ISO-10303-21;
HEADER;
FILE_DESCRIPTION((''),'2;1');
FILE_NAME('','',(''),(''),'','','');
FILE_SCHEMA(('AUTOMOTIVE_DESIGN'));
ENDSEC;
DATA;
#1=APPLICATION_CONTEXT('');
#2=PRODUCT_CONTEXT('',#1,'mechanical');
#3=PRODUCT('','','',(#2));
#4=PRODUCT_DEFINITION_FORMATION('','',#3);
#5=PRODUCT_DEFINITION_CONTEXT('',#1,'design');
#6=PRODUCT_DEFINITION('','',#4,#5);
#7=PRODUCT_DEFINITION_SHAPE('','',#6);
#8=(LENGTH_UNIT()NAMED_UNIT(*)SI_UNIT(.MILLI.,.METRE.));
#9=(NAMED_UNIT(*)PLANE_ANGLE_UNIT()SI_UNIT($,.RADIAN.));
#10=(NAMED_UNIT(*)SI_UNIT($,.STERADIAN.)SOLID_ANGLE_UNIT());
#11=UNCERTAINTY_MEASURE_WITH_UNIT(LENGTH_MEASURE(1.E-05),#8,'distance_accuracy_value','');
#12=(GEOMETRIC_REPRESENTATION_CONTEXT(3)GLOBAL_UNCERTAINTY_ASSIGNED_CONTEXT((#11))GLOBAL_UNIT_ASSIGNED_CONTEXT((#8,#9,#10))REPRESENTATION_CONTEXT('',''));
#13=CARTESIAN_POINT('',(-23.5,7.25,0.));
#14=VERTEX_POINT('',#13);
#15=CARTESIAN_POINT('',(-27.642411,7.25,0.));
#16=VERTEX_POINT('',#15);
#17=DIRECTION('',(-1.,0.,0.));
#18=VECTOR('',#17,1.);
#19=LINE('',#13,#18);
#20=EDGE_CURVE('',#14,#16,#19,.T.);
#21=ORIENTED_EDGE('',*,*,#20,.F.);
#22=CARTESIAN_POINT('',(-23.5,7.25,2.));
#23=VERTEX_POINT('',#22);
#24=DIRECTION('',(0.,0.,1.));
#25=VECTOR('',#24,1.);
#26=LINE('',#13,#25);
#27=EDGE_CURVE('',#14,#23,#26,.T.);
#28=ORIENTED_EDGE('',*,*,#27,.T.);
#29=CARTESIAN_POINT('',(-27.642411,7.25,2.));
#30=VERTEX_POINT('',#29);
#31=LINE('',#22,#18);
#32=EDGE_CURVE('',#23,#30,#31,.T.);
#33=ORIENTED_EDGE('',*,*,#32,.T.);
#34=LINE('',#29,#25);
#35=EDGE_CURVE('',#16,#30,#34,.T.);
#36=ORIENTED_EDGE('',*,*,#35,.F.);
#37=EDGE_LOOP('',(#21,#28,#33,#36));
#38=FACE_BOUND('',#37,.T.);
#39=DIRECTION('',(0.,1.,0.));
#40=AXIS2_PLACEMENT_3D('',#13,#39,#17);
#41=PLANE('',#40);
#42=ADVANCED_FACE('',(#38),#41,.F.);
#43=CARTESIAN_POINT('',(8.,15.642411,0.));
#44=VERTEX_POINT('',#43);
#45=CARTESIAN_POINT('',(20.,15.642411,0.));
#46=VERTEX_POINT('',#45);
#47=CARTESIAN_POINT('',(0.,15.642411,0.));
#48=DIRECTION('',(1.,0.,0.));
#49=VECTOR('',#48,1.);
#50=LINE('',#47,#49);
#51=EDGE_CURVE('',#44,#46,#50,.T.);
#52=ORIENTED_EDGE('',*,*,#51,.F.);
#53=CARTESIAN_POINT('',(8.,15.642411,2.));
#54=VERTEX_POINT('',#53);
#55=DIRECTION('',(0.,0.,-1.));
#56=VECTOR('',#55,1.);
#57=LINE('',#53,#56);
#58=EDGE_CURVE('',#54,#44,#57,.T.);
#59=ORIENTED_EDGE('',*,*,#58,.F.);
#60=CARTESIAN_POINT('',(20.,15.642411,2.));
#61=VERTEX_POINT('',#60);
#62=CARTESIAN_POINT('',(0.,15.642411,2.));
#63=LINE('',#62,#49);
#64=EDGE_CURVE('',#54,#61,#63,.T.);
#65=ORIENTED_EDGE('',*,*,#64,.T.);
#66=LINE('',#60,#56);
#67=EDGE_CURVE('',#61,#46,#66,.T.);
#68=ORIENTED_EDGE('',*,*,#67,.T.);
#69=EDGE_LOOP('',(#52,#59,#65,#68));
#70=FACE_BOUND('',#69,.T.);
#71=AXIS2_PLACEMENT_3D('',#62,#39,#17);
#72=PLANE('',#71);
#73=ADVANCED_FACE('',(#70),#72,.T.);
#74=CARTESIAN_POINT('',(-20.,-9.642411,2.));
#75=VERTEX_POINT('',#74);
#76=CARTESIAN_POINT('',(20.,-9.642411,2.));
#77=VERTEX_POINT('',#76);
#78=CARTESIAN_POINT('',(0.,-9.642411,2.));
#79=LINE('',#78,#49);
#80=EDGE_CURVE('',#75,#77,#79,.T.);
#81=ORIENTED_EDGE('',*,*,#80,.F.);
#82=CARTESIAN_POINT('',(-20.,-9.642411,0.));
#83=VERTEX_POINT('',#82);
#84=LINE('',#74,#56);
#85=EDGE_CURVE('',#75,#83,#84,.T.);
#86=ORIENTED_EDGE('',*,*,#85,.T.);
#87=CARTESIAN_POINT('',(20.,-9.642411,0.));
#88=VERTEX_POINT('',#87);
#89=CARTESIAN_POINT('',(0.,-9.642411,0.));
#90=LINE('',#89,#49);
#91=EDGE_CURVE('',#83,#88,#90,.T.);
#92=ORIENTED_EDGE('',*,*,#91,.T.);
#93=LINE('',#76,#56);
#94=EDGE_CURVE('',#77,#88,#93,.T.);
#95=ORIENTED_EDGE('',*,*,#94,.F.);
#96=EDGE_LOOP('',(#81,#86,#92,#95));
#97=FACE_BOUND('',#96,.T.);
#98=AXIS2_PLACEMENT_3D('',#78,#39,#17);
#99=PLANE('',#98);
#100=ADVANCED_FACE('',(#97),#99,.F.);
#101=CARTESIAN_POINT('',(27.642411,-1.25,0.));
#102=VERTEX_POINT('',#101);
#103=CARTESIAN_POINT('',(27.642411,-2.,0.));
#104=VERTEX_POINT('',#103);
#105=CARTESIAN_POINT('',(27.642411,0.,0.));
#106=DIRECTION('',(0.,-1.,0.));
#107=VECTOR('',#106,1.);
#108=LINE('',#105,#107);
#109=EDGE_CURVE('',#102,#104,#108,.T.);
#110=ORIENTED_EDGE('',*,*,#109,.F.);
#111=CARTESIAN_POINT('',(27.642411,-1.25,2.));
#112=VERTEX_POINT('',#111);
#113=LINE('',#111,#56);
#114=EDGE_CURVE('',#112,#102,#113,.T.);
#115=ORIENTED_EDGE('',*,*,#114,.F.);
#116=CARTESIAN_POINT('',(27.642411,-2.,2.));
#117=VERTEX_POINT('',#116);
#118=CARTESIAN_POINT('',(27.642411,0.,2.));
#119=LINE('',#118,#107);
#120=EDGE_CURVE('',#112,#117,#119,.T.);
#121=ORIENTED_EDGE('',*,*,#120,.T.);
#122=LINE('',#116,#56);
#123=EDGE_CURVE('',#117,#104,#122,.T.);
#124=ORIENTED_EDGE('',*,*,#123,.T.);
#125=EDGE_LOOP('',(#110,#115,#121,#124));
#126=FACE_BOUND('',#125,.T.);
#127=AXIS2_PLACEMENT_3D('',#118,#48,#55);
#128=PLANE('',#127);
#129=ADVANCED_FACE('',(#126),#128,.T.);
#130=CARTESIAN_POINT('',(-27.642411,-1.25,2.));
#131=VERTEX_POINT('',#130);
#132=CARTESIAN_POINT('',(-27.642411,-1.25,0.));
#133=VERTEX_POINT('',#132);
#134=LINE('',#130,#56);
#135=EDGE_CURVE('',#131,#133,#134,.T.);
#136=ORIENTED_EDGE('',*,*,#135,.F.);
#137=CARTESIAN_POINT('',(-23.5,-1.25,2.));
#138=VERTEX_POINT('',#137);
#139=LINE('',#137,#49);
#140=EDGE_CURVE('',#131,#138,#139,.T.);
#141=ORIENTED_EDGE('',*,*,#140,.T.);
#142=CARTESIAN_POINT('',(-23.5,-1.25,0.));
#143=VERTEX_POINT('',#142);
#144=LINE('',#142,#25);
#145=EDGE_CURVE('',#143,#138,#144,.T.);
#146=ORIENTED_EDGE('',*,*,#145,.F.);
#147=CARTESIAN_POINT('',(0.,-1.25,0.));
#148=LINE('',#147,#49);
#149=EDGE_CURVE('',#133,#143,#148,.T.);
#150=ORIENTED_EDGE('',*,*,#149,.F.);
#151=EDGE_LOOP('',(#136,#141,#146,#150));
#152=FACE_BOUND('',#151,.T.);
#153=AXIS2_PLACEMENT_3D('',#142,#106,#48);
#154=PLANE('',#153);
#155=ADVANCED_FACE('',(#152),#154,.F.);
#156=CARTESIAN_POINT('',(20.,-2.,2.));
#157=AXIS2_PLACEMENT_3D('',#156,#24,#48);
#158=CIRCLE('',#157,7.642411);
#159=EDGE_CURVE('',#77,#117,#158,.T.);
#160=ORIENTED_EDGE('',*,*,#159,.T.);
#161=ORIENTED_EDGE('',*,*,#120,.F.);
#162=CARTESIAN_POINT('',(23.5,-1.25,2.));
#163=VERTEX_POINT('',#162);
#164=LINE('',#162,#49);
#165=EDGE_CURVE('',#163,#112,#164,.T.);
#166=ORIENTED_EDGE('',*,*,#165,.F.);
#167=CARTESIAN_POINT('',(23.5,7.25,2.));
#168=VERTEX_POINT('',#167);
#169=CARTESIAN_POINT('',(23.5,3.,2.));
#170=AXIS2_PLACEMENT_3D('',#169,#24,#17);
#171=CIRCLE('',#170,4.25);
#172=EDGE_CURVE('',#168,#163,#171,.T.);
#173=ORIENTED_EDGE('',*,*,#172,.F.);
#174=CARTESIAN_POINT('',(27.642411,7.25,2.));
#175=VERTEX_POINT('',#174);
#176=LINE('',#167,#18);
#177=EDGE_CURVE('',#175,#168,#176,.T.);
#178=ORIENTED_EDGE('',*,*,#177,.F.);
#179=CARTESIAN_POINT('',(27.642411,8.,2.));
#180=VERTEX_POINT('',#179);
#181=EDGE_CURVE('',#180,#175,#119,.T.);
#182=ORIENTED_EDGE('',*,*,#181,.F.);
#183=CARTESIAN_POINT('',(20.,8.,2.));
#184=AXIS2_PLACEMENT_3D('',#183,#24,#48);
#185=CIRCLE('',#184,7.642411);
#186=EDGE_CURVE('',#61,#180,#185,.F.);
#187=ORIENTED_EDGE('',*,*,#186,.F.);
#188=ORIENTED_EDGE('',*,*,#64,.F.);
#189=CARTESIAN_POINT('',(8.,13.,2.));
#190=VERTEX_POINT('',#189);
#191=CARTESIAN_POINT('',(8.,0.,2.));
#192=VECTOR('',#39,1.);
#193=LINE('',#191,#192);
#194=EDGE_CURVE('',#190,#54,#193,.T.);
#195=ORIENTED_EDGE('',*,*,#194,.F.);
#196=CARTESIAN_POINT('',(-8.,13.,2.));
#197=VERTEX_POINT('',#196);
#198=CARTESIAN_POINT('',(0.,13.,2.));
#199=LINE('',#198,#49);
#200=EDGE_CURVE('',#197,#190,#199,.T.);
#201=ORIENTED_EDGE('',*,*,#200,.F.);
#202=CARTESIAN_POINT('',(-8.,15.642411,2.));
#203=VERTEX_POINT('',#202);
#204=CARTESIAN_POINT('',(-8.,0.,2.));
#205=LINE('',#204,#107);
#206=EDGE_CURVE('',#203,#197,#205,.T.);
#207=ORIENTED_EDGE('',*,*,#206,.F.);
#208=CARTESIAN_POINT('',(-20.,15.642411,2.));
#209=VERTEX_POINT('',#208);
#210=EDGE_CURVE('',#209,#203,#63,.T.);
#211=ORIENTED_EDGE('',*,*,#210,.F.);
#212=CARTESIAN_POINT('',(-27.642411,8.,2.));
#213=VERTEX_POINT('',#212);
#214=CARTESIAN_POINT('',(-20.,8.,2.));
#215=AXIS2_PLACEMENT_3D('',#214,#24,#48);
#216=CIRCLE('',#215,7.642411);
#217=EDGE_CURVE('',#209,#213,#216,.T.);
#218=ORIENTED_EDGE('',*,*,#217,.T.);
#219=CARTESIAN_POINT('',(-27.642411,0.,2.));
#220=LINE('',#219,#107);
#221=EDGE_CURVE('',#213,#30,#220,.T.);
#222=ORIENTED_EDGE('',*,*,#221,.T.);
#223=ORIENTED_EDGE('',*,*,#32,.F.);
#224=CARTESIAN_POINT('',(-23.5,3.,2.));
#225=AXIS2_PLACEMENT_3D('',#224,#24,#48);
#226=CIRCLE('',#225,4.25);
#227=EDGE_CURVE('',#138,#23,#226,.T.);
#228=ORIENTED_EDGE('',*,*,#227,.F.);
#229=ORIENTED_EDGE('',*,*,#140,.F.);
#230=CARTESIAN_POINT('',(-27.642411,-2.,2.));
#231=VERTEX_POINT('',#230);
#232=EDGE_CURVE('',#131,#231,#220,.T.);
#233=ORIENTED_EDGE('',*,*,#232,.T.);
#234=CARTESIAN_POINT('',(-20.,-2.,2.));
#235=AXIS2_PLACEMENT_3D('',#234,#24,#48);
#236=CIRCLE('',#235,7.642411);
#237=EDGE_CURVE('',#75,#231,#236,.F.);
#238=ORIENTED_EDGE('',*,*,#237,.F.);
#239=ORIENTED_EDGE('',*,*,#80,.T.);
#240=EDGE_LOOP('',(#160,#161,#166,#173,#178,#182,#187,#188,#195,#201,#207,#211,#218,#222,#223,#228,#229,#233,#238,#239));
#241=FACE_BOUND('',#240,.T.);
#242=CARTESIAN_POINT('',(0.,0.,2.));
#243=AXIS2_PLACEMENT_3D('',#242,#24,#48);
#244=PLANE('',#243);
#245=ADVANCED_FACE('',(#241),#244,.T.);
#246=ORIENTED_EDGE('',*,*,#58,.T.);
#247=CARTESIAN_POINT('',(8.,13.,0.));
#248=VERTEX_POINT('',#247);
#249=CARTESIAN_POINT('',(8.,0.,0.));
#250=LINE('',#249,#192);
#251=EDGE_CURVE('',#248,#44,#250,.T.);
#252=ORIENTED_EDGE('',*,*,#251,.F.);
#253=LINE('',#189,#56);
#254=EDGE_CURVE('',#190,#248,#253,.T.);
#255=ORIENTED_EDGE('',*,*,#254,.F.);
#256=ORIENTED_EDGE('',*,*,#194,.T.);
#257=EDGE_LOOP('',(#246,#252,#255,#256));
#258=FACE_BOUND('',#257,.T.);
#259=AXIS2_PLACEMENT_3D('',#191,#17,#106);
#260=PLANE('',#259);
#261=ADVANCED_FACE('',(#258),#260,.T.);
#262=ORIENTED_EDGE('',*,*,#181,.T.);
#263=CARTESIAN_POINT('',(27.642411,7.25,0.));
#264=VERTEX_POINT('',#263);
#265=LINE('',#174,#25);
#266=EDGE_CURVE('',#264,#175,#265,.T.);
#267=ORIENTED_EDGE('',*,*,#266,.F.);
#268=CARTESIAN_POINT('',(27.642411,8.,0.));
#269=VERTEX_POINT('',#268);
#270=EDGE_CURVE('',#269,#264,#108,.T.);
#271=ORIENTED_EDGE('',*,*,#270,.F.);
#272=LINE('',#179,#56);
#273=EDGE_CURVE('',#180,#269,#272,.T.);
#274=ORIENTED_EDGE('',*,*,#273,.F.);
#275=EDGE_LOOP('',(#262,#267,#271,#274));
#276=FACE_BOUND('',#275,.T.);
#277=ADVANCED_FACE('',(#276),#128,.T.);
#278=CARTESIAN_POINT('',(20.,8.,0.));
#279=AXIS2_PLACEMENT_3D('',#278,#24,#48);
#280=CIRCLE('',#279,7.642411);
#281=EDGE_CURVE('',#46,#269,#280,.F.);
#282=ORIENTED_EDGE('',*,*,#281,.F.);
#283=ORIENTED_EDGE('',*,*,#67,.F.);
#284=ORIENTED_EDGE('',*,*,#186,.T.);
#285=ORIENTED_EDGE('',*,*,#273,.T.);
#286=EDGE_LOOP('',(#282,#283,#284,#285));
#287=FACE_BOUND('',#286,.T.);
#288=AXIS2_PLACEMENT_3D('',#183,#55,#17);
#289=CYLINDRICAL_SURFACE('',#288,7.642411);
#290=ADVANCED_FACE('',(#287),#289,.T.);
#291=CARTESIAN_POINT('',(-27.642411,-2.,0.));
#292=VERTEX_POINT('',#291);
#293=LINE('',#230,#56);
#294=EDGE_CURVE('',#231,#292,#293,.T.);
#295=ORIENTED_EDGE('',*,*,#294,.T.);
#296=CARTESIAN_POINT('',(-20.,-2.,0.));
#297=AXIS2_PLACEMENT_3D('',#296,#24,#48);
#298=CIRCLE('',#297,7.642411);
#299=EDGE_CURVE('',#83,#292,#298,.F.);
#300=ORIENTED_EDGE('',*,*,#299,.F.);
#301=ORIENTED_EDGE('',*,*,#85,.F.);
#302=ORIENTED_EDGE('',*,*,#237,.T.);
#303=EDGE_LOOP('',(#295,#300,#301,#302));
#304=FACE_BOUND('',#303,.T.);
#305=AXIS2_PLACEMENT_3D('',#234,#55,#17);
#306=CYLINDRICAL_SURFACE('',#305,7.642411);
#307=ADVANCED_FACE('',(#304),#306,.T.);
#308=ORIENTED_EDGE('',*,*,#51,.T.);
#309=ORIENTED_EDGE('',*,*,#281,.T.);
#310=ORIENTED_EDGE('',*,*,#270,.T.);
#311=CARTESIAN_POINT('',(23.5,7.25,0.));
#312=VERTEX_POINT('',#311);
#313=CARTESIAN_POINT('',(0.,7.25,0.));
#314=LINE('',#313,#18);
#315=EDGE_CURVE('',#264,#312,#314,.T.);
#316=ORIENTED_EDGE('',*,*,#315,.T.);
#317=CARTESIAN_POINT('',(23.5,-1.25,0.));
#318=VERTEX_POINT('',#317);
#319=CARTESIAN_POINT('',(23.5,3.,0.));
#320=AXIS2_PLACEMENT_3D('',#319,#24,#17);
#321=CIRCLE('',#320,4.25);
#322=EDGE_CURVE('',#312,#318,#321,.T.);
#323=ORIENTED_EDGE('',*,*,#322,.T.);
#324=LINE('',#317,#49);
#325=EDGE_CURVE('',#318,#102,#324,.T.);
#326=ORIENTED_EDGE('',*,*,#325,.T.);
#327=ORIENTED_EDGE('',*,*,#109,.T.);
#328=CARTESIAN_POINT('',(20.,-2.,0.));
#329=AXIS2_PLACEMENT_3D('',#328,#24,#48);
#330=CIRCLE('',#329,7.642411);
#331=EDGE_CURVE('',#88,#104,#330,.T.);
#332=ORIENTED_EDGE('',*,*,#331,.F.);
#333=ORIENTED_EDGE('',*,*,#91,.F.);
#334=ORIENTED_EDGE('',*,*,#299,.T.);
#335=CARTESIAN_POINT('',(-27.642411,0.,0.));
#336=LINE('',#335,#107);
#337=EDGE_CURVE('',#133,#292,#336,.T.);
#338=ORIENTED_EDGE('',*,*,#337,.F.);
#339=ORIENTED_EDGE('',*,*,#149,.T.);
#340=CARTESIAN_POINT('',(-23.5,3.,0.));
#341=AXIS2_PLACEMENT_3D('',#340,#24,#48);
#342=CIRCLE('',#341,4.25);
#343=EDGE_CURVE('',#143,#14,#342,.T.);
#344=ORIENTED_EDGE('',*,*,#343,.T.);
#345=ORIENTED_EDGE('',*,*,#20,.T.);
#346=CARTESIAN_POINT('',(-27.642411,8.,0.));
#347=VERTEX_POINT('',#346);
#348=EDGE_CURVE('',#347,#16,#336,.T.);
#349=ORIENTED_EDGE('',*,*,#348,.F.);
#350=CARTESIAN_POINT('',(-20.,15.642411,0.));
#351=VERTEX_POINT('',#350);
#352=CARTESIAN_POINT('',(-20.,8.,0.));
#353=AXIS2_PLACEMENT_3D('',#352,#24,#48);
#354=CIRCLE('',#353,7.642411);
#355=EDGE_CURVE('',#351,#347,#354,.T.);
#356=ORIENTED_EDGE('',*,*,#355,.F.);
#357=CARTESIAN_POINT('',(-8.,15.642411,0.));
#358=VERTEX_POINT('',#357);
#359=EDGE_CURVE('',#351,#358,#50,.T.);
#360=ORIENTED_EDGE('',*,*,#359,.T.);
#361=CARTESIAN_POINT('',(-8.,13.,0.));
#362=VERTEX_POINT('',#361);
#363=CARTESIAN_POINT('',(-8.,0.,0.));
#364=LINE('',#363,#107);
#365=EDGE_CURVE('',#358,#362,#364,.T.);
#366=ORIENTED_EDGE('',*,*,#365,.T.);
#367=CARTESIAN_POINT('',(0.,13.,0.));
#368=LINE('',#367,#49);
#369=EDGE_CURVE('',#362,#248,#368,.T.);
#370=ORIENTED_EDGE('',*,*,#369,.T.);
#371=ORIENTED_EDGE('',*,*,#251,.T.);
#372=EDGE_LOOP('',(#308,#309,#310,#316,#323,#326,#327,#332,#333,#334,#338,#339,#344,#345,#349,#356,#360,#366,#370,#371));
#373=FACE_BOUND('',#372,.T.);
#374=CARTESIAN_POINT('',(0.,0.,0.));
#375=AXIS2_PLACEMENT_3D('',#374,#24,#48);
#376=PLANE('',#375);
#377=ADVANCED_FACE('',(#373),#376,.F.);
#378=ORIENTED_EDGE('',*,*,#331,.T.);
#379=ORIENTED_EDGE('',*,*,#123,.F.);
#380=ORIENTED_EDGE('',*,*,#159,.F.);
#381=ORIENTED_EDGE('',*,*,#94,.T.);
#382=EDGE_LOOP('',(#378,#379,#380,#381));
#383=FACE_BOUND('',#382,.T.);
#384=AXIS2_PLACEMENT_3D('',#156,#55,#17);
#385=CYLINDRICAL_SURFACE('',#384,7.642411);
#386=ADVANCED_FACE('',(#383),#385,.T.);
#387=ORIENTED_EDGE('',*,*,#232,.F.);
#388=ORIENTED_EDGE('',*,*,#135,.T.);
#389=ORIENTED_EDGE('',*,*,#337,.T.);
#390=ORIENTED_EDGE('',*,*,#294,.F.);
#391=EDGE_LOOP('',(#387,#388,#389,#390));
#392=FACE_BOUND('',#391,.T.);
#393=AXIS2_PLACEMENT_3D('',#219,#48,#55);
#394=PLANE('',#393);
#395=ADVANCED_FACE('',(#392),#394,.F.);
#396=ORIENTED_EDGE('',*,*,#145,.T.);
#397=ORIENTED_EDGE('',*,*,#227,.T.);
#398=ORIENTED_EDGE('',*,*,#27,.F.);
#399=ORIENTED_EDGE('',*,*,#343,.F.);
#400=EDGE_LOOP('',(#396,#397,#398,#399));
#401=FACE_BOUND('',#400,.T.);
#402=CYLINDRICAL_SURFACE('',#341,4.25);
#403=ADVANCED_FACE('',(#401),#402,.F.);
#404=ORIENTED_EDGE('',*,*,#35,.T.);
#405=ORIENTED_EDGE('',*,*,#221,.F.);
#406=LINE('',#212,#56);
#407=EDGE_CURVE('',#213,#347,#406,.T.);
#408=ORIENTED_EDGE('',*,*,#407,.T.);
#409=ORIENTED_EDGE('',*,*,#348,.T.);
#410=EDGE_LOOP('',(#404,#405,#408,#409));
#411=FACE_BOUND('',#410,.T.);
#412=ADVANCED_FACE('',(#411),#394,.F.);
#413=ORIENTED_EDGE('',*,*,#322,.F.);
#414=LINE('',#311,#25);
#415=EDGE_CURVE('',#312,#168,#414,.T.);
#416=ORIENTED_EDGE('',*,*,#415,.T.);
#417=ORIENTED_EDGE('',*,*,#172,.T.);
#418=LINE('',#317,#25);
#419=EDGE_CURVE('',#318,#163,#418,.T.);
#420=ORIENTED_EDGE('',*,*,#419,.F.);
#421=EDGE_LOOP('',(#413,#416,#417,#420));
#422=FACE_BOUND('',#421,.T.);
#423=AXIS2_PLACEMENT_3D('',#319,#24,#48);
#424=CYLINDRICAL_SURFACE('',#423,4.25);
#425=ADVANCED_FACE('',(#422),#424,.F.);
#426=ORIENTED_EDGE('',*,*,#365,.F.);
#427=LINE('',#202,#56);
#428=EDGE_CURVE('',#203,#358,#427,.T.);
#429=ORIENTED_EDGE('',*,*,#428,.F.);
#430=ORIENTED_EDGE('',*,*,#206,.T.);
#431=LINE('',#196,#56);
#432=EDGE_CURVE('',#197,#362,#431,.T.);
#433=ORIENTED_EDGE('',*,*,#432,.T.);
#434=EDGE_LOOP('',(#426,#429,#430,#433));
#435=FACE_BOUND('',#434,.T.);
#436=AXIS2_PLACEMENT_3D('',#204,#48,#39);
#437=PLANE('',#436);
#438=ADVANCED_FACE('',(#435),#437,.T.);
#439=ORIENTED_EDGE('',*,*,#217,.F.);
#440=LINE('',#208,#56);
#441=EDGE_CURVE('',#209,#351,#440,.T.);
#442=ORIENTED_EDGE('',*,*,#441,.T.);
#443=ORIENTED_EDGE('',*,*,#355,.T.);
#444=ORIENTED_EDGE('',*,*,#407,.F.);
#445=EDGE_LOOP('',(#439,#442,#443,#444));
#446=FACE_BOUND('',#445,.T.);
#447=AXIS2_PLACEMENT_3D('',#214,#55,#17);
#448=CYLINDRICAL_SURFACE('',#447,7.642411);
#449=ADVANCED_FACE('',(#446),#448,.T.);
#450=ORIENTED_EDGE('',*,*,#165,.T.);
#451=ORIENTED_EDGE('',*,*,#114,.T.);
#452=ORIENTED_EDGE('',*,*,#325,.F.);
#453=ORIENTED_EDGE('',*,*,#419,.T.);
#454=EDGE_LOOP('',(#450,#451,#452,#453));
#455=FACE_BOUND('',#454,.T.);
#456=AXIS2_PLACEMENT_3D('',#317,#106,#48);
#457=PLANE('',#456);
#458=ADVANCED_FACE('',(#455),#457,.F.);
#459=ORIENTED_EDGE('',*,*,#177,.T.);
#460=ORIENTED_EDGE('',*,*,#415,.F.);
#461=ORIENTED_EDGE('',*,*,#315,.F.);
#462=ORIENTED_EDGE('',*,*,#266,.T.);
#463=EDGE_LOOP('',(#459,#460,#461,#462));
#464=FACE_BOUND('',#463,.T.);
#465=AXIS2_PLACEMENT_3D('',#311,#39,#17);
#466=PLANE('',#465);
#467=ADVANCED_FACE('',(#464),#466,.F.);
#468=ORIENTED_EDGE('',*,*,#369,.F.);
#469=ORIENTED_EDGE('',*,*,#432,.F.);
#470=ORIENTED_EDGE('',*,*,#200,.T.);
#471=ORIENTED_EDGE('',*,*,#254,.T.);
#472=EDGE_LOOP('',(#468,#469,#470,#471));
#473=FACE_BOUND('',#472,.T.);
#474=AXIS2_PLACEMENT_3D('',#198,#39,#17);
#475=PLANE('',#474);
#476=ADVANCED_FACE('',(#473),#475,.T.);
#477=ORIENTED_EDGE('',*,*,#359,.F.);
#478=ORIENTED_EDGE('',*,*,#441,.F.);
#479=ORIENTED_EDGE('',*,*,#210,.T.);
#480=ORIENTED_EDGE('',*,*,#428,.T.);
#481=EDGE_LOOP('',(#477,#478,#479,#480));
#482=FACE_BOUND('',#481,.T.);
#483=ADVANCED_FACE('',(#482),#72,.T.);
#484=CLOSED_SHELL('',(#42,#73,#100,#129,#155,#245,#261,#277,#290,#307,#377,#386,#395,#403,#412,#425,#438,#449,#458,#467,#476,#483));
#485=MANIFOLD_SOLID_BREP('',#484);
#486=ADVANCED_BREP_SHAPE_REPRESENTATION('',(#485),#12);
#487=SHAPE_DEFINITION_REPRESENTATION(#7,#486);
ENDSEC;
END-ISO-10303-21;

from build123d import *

# Parameters (mm, degrees)
SKETCH_1_R          = 3.25
EXTRUDE_1_DEPTH     = 2
CUT_EXTRUDE_2_DEPTH = 2


with BuildPart() as part:
    # Эскиз1 → Бобышка-Вытянуть1 (new body)
    with BuildSketch(Plane.XY):
        with BuildLine():
            Line((-8, 15.642410702), (-20, 15.642410702))
            ThreePointArc((-20, 15.642410702), (-25.404000432, 13.404000432), (-27.642410702, 8))
            Line((-27.642410702, 8), (-27.642410702, -2))
            ThreePointArc((-27.642410702, -2), (-25.404000432, -7.404000432), (-20, -9.642410702))
            Line((-20, -9.642410702), (20, -9.642410702))
            ThreePointArc((20, -9.642410702), (25.404000432, -7.404000432), (27.642410702, -2))
            Line((27.642410702, -2), (27.642410702, 8))
            ThreePointArc((27.642410702, 8), (25.404000432, 13.404000432), (20, 15.642410702))
            Line((20, 15.642410702), (8, 15.642410702))
            Line((8, 15.642410702), (8, 13))
            Line((8, 13), (-8, 13))
            Line((-8, 13), (-8, 15.642410702))
        make_face()
        with Locations((23.5, 3)):
            Circle(SKETCH_1_R, mode=Mode.SUBTRACT)
        with Locations((-23.5, 3)):
            Circle(SKETCH_1_R, mode=Mode.SUBTRACT)
    extrude(amount=EXTRUDE_1_DEPTH)

    # Эскиз3 → Вырез-Вытянуть2 (cut)
    with BuildSketch(Plane.XY.offset(2)):
        with BuildLine():
            Line((-23.5, -1.25), (-30.303484741, -1.25))
            ThreePointArc((-30.303484741, -1.25), (-34.553484741, 3), (-30.303484741, 7.25))
            Line((-30.303484741, 7.25), (-23.5, 7.25))
            ThreePointArc((-23.5, 7.25), (-19.25, 3), (-23.5, -1.25))
        make_face()
        with BuildLine():
            Line((23.5, -1.25), (30.303484741, -1.25))
            ThreePointArc((30.303484741, -1.25), (34.553484741, 3), (30.303484741, 7.25))
            Line((30.303484741, 7.25), (23.5, 7.25))
            ThreePointArc((23.5, 7.25), (19.25, 3), (23.5, -1.25))
        make_face()
    extrude(amount=-CUT_EXTRUDE_2_DEPTH, mode=Mode.SUBTRACT)


solid = part.part
